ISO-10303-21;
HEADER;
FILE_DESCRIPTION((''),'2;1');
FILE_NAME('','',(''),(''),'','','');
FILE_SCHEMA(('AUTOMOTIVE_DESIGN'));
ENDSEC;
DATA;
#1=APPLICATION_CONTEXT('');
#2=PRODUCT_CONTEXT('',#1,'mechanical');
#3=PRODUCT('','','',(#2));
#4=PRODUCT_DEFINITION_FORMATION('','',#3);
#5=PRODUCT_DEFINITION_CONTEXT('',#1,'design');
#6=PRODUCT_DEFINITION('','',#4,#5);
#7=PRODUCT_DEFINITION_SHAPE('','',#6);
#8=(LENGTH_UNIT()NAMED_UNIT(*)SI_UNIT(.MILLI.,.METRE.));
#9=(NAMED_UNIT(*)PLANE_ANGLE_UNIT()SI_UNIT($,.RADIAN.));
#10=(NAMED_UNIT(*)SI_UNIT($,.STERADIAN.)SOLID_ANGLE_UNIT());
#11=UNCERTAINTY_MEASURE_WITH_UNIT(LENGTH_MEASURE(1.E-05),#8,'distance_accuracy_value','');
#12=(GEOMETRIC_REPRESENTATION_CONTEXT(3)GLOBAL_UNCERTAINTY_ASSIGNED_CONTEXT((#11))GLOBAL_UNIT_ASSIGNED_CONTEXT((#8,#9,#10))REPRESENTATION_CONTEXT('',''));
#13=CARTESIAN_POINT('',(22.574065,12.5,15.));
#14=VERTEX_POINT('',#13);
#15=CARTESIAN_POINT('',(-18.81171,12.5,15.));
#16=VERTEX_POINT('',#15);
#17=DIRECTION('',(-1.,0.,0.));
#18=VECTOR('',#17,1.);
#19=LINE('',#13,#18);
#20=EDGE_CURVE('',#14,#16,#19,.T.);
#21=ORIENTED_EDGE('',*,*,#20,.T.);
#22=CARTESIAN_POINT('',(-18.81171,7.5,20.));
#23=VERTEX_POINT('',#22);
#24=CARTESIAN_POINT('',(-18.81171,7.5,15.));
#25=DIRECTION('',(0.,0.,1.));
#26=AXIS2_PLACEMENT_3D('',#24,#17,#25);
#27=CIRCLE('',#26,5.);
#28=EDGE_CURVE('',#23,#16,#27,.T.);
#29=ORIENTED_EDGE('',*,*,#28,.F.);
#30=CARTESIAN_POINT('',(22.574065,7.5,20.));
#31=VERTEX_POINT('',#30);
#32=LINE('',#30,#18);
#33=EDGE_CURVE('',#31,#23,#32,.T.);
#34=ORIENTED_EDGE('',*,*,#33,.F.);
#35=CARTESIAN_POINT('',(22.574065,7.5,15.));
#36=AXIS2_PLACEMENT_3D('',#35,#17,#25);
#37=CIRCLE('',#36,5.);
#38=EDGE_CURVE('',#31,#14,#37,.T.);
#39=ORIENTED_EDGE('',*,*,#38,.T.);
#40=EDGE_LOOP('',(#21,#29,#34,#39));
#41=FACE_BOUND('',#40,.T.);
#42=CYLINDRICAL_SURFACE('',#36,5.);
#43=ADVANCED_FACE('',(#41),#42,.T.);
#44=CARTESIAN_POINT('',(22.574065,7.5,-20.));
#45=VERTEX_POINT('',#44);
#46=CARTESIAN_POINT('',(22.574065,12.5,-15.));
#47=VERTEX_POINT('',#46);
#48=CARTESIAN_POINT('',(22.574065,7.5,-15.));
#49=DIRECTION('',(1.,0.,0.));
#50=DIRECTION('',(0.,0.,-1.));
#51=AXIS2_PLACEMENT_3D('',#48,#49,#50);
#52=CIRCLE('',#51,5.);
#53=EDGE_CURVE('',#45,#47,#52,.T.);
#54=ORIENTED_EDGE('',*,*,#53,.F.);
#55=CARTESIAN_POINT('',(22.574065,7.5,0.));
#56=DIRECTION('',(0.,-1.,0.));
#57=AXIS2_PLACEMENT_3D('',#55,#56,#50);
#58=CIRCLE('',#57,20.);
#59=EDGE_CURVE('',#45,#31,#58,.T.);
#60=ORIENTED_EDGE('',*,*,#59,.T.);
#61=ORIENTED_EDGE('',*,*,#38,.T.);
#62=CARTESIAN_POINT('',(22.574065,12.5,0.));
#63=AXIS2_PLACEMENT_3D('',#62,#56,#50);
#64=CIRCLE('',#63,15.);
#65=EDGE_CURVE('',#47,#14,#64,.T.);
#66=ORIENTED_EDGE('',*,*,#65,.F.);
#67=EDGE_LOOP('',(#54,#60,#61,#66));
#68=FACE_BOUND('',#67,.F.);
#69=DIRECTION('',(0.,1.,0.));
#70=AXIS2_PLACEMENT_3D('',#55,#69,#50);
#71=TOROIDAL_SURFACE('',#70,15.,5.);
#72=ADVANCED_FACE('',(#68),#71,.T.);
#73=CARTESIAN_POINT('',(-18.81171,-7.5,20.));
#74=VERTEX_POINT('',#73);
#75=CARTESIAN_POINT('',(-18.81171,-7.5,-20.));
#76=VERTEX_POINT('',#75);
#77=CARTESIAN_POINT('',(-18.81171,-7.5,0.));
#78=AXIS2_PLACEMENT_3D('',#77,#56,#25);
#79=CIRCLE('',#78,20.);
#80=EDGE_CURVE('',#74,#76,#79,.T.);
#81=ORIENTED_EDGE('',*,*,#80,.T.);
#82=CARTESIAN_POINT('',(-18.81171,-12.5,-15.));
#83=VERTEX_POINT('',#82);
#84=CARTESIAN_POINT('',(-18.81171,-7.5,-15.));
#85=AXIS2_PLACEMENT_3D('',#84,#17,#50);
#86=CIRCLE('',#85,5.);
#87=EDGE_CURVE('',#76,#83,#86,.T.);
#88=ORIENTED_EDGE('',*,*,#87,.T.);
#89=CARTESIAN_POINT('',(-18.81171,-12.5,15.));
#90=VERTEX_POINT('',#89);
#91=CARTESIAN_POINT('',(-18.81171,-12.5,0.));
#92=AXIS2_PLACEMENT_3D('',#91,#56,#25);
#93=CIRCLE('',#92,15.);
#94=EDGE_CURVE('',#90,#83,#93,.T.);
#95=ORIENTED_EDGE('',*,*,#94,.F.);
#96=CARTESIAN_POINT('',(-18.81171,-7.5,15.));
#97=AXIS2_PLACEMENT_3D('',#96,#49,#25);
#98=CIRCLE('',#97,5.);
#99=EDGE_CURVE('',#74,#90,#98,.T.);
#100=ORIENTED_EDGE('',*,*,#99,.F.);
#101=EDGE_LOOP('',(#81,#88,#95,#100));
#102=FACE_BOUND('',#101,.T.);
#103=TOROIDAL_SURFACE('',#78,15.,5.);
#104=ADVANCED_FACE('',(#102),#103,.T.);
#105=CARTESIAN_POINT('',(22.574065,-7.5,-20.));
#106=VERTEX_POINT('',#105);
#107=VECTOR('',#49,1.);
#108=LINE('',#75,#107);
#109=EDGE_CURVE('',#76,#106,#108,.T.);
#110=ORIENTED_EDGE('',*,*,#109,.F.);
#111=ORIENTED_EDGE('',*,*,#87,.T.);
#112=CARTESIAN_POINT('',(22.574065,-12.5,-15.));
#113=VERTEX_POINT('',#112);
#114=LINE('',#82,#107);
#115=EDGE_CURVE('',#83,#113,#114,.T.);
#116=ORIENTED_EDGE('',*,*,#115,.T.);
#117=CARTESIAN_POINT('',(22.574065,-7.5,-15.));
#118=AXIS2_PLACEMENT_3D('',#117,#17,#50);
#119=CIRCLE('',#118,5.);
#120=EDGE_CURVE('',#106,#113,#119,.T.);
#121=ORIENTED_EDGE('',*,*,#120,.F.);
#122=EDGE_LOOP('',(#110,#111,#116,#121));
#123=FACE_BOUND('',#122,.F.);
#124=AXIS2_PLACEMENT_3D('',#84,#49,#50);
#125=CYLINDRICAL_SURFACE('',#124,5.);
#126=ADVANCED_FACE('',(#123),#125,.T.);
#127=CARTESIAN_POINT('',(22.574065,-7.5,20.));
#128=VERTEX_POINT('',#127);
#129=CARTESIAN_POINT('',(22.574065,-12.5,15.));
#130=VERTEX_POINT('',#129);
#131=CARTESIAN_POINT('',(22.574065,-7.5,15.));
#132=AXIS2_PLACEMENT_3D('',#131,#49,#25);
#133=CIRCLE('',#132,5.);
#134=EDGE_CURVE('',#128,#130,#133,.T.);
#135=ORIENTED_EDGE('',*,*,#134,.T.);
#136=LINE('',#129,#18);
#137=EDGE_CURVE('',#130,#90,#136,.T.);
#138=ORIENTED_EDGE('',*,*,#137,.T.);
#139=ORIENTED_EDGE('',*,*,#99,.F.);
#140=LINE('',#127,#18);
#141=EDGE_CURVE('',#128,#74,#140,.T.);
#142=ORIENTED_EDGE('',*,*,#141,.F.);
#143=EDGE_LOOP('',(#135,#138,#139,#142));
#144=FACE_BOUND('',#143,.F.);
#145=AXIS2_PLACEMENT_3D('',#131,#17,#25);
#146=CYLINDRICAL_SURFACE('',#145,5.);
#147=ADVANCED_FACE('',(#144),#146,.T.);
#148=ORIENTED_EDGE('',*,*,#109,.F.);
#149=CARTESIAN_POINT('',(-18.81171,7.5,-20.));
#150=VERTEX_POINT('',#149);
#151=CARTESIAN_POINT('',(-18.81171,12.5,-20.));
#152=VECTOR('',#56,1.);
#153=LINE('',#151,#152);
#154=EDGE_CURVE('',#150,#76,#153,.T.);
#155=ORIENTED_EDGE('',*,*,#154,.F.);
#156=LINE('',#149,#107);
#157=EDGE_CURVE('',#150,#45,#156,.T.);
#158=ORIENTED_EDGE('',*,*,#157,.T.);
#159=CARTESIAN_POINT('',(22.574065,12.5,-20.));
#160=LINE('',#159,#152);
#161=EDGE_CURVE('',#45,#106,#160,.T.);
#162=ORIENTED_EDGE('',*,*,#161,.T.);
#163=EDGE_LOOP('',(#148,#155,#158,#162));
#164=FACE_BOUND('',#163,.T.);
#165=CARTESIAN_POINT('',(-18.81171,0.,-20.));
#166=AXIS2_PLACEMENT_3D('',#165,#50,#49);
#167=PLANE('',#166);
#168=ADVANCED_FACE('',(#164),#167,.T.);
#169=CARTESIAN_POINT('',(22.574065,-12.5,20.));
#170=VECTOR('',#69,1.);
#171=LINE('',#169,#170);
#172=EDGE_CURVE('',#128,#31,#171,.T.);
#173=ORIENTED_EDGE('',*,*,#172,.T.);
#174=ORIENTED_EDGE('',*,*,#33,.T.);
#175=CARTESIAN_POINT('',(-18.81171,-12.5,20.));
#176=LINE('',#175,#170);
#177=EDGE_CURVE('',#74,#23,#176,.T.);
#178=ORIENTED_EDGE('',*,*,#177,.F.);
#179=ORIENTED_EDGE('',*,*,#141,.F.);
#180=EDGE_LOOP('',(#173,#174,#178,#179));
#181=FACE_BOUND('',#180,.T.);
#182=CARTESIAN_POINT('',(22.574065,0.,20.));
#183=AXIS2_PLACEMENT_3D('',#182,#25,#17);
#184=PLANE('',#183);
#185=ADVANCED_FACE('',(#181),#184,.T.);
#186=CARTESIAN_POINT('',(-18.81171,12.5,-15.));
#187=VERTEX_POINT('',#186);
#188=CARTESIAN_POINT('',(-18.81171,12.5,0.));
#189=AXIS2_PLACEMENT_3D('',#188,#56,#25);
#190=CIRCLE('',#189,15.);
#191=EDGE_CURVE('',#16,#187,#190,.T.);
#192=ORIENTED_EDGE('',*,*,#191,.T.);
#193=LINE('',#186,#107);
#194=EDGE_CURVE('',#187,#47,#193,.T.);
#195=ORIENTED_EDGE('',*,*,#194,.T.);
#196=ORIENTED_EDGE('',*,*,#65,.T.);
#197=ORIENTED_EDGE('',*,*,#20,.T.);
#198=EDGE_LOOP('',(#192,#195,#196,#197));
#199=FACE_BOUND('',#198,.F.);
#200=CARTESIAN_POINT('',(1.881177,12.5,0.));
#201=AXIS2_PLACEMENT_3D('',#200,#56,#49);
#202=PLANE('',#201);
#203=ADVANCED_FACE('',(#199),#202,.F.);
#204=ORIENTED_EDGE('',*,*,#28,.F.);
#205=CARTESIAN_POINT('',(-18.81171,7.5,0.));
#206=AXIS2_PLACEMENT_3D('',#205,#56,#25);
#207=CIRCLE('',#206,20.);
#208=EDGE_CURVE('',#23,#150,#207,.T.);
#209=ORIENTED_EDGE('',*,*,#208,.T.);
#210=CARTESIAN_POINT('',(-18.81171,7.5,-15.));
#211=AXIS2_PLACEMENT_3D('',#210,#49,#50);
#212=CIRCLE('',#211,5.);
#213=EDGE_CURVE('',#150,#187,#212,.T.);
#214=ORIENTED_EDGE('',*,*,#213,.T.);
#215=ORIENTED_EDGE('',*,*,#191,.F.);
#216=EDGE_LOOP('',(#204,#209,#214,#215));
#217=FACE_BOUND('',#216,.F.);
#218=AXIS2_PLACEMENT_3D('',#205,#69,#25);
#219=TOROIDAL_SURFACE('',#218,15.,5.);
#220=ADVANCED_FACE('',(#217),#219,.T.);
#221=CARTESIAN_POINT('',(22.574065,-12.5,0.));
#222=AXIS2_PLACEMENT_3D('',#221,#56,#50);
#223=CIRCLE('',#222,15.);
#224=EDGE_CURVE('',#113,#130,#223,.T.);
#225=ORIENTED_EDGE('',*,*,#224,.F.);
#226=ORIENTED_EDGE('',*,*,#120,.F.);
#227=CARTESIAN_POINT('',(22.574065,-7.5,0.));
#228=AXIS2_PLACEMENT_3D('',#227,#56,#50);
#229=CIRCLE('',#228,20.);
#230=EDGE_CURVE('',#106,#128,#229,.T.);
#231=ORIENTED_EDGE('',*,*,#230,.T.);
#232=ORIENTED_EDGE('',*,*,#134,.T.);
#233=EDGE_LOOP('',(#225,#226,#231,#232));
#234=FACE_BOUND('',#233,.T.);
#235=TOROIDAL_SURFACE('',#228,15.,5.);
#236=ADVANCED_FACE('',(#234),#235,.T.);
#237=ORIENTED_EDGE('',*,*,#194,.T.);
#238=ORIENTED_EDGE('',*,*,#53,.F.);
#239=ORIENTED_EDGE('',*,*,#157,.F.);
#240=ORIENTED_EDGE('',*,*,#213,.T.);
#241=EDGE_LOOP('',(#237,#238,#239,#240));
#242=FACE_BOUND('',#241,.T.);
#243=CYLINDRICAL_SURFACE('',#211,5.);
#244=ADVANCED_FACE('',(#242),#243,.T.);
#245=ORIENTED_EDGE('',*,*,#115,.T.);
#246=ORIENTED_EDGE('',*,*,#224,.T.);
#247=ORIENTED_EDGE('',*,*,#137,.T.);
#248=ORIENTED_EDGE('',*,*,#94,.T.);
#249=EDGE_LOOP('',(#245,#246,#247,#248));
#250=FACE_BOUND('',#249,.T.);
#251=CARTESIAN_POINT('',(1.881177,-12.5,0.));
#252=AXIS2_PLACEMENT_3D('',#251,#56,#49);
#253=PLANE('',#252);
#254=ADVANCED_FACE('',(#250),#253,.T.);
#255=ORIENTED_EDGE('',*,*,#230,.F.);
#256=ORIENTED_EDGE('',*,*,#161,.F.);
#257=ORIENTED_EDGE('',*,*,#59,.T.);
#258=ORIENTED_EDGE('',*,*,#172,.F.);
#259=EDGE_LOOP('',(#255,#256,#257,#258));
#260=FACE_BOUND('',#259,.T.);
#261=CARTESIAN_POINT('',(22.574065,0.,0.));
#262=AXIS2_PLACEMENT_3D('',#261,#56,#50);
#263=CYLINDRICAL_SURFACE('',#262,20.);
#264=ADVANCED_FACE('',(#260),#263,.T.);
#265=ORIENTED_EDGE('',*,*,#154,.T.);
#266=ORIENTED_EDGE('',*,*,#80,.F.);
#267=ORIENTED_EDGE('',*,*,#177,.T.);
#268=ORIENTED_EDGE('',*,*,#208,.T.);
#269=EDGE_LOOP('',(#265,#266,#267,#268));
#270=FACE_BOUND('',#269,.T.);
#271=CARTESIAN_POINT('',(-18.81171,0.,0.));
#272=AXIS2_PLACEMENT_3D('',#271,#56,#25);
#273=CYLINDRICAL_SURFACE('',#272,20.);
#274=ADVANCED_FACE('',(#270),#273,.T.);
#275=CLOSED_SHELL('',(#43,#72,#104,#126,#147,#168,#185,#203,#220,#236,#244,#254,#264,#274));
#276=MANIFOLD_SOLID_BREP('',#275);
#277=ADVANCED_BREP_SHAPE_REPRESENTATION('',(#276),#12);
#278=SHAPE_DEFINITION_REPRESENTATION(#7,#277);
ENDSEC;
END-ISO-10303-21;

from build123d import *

# Parameters (mm, degrees)
F1_DEPTH = 12.5
F2_R     = 5


with BuildPart() as f1:
    # F0 (on Front) → F1 (new body, symmetric)
    with BuildSketch(Plane.XZ):
        with BuildLine():
            ThreePointArc((-18.81171, 20), (-38.81171, 0), (-18.81171, -20))
            Line((-18.81171, -20), (22.574065, -20))
            ThreePointArc((22.574065, -20), (42.574065, 0), (22.574065, 20))
            Line((22.574065, 20), (-18.81171, 20))
        make_face()
    extrude(amount=F1_DEPTH, both=True)

    # F2
    f2_edges = [f1.edges().sort_by_distance(p)[0] for p in [
        (42.574065, -12.5, 0),
        (42.574065, 12.5, 0),
    ]]
    fillet(f2_edges, radius=F2_R)


solid = f1.part
